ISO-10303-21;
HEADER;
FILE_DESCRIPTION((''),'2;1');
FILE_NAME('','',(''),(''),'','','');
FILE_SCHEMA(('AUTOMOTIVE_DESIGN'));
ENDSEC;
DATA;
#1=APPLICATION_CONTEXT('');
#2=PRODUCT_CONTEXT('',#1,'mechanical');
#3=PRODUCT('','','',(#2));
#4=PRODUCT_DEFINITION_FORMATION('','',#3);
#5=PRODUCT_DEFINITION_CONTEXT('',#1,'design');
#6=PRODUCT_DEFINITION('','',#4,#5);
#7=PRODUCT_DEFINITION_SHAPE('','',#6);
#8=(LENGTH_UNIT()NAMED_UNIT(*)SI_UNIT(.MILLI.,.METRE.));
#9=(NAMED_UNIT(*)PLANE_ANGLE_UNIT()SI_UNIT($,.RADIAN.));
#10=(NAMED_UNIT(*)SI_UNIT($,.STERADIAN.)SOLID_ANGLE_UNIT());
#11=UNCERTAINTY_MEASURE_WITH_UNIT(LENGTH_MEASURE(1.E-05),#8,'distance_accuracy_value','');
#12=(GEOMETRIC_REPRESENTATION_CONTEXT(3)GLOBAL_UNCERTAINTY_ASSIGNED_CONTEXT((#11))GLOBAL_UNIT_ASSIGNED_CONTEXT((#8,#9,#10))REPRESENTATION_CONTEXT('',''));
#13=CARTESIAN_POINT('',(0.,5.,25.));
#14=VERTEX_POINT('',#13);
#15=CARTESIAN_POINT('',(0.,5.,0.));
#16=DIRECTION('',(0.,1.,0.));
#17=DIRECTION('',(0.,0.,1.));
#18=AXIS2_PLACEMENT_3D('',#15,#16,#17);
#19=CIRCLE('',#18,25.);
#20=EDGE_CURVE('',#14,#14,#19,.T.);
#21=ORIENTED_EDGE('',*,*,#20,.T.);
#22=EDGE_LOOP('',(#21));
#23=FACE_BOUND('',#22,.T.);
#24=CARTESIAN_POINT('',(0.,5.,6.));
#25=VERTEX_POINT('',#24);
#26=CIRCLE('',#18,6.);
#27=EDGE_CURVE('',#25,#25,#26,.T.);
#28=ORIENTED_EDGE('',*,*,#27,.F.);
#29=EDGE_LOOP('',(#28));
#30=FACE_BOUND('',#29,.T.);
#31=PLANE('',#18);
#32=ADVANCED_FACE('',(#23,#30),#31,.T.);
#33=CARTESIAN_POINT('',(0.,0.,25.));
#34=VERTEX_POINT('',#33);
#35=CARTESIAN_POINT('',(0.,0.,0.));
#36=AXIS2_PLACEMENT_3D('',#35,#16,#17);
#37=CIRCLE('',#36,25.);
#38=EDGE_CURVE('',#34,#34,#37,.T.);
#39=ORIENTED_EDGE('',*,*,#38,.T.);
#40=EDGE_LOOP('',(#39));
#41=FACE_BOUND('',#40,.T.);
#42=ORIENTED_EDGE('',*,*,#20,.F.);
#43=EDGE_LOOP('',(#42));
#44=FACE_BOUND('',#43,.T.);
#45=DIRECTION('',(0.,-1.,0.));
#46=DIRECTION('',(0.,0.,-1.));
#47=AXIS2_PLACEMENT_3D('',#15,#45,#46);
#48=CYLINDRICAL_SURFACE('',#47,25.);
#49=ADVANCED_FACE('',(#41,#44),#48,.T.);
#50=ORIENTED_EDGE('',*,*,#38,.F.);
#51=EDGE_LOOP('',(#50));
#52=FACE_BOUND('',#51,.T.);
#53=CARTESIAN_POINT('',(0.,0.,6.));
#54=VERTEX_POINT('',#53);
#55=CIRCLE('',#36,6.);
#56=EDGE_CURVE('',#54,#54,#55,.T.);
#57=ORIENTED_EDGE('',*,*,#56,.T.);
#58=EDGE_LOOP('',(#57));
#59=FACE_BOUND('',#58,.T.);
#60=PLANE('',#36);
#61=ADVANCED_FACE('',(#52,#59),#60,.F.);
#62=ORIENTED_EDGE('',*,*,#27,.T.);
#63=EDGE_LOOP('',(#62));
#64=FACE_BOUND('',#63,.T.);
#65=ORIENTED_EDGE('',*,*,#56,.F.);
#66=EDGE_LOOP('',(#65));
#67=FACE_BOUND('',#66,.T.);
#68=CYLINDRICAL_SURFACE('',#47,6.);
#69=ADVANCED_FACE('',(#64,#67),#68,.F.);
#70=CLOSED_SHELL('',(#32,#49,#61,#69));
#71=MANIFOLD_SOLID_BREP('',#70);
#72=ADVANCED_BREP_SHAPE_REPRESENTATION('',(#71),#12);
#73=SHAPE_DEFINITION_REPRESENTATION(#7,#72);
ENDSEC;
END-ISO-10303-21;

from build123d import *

# Parameters (mm, degrees)
SKETCH_1_R      = 25
SKETCH_1_R_2    = 6
EXTRUDE_1_DEPTH = 5


with BuildPart() as part:
    # Эскиз1 → Бобышка-Вытянуть1 (new body)
    with BuildSketch(Plane(origin=(0, 0, 0), x_dir=(1, 0, 0), z_dir=(0, 1, 0))):
        with Locations(Location((0, 0, 0), (0, 0, 270))):
            Circle(SKETCH_1_R)
        with Locations(Location((0, 0, 0), (0, 0, 270))):
            Circle(SKETCH_1_R_2, mode=Mode.SUBTRACT)
    extrude(amount=EXTRUDE_1_DEPTH)


solid = part.part
